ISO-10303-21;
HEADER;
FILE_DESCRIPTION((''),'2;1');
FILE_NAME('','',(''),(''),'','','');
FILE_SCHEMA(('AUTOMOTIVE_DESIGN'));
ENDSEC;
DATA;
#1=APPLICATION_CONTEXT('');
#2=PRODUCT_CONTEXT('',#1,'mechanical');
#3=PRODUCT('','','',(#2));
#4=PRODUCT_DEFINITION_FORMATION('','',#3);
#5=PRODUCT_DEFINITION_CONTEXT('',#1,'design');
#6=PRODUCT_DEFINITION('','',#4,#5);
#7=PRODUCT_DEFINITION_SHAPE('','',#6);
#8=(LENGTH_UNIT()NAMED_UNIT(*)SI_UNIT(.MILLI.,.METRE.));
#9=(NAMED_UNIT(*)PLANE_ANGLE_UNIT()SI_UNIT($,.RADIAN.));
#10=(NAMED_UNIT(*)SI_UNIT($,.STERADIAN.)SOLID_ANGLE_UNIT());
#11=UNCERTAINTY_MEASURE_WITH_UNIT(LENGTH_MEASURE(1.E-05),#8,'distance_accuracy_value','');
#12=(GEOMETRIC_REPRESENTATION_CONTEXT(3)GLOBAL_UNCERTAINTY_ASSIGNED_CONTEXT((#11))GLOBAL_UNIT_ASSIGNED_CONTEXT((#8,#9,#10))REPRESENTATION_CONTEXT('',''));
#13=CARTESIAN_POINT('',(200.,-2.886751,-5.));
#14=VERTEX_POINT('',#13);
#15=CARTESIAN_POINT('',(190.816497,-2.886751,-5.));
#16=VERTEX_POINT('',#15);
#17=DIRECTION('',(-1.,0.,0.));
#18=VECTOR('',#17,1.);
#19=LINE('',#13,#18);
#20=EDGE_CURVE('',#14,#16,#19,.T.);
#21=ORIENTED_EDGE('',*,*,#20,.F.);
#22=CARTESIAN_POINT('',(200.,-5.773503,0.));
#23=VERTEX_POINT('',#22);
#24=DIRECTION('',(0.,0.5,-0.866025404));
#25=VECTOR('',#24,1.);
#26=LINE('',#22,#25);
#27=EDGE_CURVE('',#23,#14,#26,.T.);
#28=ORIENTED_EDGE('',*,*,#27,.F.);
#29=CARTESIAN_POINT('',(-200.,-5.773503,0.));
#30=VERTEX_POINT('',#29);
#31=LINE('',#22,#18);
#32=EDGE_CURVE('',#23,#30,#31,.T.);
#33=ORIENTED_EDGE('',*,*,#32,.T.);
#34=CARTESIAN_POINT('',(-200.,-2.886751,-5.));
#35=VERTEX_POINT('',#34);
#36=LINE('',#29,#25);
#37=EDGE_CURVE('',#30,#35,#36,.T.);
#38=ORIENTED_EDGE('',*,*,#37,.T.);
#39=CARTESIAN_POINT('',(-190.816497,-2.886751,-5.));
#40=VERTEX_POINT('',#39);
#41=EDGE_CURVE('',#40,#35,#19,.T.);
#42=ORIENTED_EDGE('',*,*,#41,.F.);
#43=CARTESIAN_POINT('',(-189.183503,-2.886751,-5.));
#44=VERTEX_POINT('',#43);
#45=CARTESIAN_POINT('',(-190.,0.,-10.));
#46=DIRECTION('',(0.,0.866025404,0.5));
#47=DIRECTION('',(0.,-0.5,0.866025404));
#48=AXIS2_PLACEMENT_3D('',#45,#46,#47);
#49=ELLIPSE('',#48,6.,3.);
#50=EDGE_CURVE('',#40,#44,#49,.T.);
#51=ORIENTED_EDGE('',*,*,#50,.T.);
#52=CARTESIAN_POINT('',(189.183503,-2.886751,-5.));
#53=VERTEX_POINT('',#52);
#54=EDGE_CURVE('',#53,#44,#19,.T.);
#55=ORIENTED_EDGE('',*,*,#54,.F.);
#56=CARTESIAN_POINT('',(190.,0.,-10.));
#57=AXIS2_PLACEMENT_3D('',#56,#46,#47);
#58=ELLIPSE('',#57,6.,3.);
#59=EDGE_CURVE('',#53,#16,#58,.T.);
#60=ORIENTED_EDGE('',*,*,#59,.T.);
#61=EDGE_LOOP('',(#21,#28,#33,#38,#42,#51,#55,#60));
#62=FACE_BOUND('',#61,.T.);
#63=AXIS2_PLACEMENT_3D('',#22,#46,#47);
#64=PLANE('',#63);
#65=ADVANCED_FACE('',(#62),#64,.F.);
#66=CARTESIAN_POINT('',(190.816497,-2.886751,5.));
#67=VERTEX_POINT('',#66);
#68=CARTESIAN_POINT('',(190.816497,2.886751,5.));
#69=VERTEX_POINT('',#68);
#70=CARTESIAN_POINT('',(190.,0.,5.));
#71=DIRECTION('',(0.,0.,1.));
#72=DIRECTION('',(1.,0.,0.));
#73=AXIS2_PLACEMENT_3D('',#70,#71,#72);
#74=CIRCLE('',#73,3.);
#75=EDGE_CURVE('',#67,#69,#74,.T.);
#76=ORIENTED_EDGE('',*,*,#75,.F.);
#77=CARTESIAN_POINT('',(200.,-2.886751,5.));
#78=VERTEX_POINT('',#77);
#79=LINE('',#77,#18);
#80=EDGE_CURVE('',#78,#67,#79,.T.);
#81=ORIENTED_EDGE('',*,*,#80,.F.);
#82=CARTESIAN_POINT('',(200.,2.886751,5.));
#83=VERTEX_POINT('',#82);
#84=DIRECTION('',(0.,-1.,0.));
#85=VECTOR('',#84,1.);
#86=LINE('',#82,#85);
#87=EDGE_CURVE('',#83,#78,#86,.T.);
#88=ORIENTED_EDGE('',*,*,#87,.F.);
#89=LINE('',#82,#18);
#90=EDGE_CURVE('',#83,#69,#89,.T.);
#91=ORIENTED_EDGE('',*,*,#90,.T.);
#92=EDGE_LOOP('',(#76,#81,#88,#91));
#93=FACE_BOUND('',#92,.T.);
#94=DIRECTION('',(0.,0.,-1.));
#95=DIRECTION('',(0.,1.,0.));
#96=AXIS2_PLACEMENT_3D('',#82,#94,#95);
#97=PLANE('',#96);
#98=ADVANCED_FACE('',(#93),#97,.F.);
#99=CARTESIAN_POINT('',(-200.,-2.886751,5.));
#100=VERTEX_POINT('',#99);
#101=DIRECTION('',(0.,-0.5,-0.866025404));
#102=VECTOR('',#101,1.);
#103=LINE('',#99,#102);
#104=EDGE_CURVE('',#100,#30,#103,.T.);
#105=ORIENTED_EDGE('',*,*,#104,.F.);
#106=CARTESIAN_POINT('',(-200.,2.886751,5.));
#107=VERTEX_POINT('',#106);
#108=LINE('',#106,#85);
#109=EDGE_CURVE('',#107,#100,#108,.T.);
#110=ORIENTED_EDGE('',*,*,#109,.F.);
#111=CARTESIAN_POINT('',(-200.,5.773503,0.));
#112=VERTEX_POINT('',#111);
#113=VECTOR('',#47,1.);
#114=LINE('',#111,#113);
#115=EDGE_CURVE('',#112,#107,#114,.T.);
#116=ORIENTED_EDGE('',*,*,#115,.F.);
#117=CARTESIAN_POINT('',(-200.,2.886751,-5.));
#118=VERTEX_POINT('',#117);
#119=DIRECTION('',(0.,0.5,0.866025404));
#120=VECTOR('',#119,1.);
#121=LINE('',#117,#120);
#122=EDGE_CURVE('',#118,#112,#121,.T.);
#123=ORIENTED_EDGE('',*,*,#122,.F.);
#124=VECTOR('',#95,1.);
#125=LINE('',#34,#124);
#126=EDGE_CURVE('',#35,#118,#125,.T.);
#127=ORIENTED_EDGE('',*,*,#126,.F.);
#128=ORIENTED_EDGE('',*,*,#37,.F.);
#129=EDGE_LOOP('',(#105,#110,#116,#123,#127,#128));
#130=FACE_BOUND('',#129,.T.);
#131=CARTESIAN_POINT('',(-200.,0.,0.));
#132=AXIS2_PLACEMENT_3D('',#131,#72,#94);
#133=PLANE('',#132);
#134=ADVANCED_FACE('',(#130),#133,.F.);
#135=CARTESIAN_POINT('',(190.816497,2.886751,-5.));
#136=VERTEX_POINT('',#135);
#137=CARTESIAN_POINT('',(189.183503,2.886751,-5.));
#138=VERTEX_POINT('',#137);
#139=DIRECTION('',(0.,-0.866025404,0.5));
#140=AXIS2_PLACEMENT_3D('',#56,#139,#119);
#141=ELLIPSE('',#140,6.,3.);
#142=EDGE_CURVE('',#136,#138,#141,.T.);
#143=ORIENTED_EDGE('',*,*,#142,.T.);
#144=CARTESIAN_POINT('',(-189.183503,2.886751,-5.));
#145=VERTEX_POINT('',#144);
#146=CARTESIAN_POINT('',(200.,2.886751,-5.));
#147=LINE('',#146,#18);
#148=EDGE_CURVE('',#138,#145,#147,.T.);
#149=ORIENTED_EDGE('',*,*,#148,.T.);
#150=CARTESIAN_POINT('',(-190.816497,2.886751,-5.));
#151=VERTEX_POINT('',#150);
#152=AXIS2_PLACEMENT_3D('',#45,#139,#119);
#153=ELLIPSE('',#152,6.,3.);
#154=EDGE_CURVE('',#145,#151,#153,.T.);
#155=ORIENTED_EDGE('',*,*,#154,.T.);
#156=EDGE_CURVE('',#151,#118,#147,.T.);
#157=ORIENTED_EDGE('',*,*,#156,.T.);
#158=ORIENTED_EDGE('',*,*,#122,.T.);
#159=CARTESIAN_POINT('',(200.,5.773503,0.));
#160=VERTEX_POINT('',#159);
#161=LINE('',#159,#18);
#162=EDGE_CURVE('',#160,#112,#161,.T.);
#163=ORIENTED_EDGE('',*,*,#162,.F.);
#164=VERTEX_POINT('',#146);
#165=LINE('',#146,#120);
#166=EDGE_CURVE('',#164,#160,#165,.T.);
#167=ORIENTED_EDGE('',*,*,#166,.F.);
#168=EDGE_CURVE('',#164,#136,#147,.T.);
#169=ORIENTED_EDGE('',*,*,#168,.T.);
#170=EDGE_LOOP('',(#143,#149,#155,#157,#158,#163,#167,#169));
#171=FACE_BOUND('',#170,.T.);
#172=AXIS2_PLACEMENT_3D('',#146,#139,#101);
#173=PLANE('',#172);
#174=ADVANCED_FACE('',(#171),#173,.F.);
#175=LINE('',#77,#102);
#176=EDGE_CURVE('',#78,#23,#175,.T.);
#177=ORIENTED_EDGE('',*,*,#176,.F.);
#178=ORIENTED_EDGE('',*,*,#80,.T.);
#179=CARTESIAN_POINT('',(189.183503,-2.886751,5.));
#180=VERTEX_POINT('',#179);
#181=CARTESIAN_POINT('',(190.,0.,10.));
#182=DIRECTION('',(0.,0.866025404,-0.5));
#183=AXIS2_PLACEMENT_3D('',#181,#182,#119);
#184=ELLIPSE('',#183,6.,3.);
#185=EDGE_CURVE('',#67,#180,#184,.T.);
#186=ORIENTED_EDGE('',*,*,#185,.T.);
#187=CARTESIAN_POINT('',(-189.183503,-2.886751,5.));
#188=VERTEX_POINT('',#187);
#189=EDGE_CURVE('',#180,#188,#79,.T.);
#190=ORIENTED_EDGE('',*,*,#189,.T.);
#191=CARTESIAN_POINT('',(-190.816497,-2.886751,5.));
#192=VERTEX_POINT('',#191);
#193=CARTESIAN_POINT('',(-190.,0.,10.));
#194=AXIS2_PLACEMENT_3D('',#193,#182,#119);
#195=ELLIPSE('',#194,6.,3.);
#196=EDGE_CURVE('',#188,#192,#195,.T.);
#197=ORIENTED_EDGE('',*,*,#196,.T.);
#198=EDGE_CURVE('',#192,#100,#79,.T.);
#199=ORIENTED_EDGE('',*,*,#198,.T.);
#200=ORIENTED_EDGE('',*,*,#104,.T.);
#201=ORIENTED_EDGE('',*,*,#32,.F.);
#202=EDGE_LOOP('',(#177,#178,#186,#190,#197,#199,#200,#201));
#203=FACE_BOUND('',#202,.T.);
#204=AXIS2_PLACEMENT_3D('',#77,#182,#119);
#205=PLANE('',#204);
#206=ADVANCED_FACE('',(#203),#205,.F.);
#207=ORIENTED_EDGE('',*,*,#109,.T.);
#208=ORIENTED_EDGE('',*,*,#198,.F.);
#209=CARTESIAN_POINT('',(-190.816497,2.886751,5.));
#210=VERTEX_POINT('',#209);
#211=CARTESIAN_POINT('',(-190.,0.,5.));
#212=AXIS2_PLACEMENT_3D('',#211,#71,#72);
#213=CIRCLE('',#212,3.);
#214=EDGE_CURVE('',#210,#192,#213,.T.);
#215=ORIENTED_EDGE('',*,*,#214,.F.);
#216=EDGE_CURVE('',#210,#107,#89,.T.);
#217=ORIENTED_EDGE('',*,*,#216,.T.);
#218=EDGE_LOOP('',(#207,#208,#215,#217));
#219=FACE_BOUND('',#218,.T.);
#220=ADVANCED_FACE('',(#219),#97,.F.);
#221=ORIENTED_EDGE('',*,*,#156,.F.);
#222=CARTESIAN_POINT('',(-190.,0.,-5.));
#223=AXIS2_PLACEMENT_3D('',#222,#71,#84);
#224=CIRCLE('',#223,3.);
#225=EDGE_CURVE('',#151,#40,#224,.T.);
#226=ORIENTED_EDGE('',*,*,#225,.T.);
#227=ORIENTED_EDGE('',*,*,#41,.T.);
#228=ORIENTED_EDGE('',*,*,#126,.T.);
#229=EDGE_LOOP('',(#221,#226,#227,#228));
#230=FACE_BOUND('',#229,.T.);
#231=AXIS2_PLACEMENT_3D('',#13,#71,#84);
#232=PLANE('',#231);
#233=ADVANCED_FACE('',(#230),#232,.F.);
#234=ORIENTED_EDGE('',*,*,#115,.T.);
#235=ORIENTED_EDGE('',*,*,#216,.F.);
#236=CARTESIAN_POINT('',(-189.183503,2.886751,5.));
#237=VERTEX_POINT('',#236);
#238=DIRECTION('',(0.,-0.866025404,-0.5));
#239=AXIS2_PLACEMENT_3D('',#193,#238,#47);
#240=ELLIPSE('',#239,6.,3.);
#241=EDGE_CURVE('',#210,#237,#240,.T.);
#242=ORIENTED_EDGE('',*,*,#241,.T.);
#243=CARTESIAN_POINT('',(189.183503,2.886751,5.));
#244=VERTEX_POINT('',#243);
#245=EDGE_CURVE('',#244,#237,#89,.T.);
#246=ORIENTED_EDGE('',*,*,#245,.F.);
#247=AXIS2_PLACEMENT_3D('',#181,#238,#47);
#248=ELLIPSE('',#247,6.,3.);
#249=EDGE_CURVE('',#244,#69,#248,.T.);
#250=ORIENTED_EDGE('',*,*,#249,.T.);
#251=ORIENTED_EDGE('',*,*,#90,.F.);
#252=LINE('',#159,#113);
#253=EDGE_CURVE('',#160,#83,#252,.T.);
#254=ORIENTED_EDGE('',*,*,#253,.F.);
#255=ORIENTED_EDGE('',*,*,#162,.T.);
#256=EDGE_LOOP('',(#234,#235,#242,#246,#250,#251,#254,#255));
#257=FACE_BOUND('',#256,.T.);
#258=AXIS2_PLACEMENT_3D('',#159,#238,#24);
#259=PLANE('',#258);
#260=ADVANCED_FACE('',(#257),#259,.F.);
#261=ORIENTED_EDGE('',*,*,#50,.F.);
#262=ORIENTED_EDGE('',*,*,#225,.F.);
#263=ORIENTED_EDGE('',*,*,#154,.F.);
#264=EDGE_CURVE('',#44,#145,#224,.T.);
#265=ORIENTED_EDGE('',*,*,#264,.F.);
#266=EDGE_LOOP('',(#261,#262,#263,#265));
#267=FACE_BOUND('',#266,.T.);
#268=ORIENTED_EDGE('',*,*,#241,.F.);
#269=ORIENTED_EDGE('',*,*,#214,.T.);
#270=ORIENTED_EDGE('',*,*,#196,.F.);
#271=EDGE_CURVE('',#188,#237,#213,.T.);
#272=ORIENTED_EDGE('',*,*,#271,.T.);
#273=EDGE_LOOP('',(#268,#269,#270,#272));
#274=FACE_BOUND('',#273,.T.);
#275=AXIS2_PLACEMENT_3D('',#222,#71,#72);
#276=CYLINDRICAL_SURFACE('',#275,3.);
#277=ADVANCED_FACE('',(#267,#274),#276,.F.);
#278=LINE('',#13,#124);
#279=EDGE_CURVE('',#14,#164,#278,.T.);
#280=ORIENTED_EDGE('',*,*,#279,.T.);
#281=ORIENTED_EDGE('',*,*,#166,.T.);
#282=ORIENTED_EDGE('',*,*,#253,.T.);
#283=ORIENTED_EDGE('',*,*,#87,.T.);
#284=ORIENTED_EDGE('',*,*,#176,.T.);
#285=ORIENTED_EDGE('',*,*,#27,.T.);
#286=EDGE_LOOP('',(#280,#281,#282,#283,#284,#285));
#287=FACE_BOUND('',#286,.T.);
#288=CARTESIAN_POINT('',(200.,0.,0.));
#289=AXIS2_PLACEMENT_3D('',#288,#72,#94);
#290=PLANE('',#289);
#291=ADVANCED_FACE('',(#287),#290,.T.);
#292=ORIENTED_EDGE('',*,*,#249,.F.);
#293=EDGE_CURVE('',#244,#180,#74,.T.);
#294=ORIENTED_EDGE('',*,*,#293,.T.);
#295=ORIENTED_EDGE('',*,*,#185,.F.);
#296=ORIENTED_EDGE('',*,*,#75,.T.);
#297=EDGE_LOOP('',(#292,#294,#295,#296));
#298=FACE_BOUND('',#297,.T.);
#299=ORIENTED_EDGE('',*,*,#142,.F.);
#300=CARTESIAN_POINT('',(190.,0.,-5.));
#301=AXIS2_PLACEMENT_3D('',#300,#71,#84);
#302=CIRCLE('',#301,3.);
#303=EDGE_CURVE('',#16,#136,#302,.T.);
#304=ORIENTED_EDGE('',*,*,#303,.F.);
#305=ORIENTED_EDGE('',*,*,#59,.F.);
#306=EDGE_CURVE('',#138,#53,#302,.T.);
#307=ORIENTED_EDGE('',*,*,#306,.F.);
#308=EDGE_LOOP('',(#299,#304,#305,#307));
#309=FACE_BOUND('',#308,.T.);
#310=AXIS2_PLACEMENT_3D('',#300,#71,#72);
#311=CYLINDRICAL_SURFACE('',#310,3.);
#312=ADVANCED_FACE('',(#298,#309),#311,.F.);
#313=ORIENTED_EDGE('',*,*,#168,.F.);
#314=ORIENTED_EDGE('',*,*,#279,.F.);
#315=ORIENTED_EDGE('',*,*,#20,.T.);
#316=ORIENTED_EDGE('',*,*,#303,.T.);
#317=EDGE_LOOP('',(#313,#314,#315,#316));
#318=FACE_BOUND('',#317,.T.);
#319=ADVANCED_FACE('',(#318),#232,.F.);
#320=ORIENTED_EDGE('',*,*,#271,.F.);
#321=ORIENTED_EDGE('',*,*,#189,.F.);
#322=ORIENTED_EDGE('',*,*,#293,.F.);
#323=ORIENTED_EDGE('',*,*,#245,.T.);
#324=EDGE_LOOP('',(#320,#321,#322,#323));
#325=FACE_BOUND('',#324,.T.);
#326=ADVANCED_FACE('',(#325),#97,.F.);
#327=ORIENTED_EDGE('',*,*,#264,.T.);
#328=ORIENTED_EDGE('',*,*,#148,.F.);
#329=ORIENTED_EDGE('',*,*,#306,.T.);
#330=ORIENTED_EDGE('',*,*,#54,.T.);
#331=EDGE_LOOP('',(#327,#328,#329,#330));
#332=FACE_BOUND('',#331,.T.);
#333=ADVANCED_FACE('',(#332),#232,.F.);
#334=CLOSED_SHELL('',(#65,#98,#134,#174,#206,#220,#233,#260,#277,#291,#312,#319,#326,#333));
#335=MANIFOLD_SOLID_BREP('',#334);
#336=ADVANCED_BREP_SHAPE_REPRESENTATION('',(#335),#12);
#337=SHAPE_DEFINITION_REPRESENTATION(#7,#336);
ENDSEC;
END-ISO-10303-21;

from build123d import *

# Parameters (mm, degrees)
BOSS_EXTRUDE1_DEPTH     = 200
SKETCH2_R               = 3
CUT_EXTRUDE1_DEPTH      = 6
CUT_EXTRUDE1_DEPTH_BACK = 6


with BuildPart() as part:
    # Sketch1 → Boss-Extrude1 (new body, symmetric)
    with BuildSketch(Plane(origin=(0, 0, 0), x_dir=(0, 0, -1), z_dir=(1, 0, 0))):
        Polygon((0, 5.773502692), (-5, 2.886751346), (-5, -2.886751346), (0, -5.773502692), (5, -2.886751346), (5, 2.886751346), align=None)
    extrude(amount=BOSS_EXTRUDE1_DEPTH, both=True)

    # Sketch2 → Cut-Extrude1 (cut, two sides)
    with BuildSketch(Plane.XY) as cut_extrude1_sk:
        with Locations((190, 0)):
            Circle(SKETCH2_R)
        with Locations((-190, 0)):
            Circle(SKETCH2_R)
    extrude(amount=CUT_EXTRUDE1_DEPTH, mode=Mode.SUBTRACT)
    extrude(cut_extrude1_sk.sketch, amount=-CUT_EXTRUDE1_DEPTH_BACK, mode=Mode.SUBTRACT)


solid = part.part
